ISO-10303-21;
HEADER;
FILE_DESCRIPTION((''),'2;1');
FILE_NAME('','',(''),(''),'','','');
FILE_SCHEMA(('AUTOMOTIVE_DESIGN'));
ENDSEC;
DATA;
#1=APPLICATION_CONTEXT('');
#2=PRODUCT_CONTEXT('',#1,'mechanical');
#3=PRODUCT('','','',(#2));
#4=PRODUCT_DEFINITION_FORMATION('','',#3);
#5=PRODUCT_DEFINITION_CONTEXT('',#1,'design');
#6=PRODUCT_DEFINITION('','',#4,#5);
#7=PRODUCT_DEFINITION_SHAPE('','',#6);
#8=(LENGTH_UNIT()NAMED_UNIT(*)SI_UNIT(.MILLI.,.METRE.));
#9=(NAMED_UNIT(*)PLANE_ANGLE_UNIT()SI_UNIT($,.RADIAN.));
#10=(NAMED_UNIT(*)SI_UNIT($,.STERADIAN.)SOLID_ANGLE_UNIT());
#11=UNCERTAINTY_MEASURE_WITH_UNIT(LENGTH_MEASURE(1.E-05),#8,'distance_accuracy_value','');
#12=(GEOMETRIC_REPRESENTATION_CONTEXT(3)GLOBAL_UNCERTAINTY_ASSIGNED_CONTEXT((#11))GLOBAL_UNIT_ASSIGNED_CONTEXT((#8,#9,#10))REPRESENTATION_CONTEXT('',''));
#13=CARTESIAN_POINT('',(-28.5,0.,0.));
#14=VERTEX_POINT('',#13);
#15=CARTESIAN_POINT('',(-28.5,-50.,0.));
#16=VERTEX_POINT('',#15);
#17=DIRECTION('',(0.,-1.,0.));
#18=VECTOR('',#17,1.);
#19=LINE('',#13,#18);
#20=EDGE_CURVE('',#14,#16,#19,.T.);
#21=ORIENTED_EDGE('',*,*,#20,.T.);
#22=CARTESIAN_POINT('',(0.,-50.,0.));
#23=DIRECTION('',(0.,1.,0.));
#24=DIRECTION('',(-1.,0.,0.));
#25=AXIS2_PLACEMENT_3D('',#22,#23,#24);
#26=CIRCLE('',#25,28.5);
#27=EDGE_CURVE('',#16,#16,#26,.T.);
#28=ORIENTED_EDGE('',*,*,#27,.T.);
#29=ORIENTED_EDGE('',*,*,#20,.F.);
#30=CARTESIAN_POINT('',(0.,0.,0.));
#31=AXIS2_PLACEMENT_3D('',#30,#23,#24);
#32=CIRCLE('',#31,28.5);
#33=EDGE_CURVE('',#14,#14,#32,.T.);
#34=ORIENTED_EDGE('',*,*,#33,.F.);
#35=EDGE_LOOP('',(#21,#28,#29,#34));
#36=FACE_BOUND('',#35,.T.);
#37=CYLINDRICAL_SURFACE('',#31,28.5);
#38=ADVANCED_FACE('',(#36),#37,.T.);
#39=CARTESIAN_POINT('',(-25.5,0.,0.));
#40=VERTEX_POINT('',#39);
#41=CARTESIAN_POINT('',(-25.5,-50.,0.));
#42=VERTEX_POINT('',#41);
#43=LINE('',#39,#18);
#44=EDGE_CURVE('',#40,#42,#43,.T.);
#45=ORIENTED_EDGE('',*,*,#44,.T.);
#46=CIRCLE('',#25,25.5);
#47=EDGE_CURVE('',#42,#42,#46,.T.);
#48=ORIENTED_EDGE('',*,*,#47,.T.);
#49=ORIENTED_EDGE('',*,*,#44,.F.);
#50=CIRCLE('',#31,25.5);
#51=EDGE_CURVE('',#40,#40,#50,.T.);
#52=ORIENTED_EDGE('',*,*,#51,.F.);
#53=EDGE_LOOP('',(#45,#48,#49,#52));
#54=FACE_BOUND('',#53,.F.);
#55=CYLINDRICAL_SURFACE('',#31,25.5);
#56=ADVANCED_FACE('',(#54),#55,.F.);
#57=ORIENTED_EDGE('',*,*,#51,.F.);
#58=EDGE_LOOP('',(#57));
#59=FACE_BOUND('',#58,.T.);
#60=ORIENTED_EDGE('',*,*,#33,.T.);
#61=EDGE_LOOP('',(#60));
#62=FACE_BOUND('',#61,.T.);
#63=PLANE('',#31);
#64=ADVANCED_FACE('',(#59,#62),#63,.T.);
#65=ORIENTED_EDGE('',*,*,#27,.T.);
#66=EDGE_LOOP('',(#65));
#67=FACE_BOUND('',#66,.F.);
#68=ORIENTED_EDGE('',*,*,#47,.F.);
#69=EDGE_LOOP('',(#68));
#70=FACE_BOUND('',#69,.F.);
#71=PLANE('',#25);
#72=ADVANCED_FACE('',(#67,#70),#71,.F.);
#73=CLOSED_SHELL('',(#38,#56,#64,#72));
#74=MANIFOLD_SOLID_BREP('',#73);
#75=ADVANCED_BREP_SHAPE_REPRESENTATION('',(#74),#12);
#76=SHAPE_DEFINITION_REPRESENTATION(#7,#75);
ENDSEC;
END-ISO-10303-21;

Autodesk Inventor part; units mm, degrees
ref_plane "YZ Plane" through (0, 0, 0) normal (1, 0, 0) x (0, 1, 0)
ref_plane "XZ Plane" through (0, 0, 0) normal (0, 1, 0) x (-1, 0, 0)
ref_plane "XY Plane" through (0, 0, 0) normal (0, 0, 1) x (1, 0, 0)
sketch "Sketch1" plane through (0, 0, 0) normal (0, 1, 0) x (-1, 0, 0)
  circle A0 centre (0, 0) radius 28.5
  circle A1 centre (0, 0) radius 25.5
  dimension "d0" = 57
  dimension "d1" = 3
extrude "Extrusion1" add sketch "Sketch1" against normal blind 50
properties part number "PRS 1200-12 FDS tube 2"
